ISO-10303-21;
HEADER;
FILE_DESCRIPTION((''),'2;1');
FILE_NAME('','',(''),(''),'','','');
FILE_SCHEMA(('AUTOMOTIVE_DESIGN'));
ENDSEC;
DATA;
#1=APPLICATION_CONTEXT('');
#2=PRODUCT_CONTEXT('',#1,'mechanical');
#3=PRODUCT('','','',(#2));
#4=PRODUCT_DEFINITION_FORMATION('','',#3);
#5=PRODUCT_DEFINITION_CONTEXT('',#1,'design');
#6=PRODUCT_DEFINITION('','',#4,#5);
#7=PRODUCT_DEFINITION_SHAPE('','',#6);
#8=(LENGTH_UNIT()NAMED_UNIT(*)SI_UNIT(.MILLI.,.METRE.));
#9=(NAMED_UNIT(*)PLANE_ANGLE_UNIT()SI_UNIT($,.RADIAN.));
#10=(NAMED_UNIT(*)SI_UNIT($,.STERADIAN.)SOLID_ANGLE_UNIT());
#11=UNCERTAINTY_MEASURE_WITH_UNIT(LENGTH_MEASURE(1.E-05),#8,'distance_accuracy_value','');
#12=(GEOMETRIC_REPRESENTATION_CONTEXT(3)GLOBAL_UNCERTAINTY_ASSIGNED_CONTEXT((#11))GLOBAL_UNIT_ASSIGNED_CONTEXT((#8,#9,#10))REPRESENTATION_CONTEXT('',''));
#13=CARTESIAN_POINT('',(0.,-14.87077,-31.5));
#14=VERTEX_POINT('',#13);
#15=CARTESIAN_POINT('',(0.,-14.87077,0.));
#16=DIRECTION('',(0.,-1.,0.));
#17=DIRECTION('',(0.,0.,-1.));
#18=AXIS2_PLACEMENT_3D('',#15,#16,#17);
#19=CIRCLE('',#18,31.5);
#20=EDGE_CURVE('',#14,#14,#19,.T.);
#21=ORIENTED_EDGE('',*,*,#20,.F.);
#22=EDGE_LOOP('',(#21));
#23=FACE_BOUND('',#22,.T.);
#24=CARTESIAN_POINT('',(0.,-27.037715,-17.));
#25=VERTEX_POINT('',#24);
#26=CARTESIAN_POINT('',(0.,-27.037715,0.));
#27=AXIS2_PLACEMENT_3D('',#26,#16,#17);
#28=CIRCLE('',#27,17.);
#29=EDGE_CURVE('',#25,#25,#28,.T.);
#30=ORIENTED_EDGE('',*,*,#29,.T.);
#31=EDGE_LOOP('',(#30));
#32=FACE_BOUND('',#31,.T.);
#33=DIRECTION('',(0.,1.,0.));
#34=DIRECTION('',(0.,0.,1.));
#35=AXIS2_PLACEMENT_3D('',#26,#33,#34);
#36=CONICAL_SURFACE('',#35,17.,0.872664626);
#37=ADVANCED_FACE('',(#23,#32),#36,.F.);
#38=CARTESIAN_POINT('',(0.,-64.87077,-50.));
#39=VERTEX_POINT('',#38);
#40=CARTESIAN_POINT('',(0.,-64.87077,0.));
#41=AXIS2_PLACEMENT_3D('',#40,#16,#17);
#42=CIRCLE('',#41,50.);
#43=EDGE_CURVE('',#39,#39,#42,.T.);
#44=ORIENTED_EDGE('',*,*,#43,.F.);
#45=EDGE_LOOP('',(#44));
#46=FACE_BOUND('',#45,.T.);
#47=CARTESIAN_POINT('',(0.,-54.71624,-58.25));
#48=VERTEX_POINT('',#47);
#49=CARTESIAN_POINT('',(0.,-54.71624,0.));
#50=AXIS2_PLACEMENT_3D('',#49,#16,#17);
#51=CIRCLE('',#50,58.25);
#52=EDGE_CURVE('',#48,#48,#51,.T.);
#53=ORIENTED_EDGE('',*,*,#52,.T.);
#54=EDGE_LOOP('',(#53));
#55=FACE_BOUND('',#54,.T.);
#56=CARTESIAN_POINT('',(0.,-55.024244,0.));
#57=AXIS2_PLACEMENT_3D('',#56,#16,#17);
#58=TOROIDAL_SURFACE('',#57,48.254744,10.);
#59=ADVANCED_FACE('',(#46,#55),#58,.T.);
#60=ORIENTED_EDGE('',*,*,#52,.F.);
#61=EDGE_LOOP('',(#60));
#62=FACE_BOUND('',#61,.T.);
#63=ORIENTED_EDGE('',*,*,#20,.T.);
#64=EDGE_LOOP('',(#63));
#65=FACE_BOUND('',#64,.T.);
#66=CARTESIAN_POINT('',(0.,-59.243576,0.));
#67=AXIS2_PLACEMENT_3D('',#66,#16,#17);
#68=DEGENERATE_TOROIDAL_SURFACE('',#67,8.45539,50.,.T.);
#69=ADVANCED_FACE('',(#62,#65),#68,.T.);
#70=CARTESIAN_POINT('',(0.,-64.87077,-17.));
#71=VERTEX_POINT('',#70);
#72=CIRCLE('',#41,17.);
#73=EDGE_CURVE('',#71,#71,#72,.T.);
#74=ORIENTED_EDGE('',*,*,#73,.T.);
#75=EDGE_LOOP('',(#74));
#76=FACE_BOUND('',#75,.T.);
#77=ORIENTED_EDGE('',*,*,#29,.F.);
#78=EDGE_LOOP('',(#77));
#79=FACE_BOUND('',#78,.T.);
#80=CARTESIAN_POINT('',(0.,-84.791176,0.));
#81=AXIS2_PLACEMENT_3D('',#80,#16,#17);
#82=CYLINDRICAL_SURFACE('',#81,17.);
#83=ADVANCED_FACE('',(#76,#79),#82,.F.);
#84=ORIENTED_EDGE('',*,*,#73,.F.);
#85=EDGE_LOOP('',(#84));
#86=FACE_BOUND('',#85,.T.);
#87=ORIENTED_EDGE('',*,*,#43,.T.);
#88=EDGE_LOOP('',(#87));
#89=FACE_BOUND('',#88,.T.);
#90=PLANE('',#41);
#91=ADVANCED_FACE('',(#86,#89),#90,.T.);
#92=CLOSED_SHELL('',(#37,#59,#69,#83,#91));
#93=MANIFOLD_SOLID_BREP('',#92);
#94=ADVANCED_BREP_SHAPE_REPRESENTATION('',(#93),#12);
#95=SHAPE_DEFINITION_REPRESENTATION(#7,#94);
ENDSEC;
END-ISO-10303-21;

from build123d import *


with BuildPart() as part:
    # Esquisse1 → Révolution1 (revolve)
    with BuildSketch(Plane.XY, mode=Mode.PRIVATE) as r_volution1_sk:
        with BuildLine():
            Line((17, -27.03771478), (17, -54.716239606))
            Line((17, -54.716239606), (58.25, -54.716239606))
            ThreePointArc((58.25, -54.716239606), (49.968079003, -31.374298992), (31.5, -14.870770128))
            Line((31.5, -14.870770128), (17, -27.03771478))
        make_face()
        with BuildLine():
            Line((17, -54.716239606), (17, -64.870770128))
            Line((17, -64.870770128), (46.509488902, -64.870770128))
            Line((46.509488902, -64.870770128), (50, -64.870770128))
            ThreePointArc((50, -64.870770128), (56.016092449, -61.329913928), (58.25, -54.716239606))
            Line((58.25, -54.716239606), (17, -54.716239606))
        make_face()
    revolve(r_volution1_sk.sketch.rotate(Axis((0, -84.791176471, 0), (0, 1, 0)), 90), axis=Axis((0, -84.791176471, 0), (0, 1, 0)))


solid = part.part
